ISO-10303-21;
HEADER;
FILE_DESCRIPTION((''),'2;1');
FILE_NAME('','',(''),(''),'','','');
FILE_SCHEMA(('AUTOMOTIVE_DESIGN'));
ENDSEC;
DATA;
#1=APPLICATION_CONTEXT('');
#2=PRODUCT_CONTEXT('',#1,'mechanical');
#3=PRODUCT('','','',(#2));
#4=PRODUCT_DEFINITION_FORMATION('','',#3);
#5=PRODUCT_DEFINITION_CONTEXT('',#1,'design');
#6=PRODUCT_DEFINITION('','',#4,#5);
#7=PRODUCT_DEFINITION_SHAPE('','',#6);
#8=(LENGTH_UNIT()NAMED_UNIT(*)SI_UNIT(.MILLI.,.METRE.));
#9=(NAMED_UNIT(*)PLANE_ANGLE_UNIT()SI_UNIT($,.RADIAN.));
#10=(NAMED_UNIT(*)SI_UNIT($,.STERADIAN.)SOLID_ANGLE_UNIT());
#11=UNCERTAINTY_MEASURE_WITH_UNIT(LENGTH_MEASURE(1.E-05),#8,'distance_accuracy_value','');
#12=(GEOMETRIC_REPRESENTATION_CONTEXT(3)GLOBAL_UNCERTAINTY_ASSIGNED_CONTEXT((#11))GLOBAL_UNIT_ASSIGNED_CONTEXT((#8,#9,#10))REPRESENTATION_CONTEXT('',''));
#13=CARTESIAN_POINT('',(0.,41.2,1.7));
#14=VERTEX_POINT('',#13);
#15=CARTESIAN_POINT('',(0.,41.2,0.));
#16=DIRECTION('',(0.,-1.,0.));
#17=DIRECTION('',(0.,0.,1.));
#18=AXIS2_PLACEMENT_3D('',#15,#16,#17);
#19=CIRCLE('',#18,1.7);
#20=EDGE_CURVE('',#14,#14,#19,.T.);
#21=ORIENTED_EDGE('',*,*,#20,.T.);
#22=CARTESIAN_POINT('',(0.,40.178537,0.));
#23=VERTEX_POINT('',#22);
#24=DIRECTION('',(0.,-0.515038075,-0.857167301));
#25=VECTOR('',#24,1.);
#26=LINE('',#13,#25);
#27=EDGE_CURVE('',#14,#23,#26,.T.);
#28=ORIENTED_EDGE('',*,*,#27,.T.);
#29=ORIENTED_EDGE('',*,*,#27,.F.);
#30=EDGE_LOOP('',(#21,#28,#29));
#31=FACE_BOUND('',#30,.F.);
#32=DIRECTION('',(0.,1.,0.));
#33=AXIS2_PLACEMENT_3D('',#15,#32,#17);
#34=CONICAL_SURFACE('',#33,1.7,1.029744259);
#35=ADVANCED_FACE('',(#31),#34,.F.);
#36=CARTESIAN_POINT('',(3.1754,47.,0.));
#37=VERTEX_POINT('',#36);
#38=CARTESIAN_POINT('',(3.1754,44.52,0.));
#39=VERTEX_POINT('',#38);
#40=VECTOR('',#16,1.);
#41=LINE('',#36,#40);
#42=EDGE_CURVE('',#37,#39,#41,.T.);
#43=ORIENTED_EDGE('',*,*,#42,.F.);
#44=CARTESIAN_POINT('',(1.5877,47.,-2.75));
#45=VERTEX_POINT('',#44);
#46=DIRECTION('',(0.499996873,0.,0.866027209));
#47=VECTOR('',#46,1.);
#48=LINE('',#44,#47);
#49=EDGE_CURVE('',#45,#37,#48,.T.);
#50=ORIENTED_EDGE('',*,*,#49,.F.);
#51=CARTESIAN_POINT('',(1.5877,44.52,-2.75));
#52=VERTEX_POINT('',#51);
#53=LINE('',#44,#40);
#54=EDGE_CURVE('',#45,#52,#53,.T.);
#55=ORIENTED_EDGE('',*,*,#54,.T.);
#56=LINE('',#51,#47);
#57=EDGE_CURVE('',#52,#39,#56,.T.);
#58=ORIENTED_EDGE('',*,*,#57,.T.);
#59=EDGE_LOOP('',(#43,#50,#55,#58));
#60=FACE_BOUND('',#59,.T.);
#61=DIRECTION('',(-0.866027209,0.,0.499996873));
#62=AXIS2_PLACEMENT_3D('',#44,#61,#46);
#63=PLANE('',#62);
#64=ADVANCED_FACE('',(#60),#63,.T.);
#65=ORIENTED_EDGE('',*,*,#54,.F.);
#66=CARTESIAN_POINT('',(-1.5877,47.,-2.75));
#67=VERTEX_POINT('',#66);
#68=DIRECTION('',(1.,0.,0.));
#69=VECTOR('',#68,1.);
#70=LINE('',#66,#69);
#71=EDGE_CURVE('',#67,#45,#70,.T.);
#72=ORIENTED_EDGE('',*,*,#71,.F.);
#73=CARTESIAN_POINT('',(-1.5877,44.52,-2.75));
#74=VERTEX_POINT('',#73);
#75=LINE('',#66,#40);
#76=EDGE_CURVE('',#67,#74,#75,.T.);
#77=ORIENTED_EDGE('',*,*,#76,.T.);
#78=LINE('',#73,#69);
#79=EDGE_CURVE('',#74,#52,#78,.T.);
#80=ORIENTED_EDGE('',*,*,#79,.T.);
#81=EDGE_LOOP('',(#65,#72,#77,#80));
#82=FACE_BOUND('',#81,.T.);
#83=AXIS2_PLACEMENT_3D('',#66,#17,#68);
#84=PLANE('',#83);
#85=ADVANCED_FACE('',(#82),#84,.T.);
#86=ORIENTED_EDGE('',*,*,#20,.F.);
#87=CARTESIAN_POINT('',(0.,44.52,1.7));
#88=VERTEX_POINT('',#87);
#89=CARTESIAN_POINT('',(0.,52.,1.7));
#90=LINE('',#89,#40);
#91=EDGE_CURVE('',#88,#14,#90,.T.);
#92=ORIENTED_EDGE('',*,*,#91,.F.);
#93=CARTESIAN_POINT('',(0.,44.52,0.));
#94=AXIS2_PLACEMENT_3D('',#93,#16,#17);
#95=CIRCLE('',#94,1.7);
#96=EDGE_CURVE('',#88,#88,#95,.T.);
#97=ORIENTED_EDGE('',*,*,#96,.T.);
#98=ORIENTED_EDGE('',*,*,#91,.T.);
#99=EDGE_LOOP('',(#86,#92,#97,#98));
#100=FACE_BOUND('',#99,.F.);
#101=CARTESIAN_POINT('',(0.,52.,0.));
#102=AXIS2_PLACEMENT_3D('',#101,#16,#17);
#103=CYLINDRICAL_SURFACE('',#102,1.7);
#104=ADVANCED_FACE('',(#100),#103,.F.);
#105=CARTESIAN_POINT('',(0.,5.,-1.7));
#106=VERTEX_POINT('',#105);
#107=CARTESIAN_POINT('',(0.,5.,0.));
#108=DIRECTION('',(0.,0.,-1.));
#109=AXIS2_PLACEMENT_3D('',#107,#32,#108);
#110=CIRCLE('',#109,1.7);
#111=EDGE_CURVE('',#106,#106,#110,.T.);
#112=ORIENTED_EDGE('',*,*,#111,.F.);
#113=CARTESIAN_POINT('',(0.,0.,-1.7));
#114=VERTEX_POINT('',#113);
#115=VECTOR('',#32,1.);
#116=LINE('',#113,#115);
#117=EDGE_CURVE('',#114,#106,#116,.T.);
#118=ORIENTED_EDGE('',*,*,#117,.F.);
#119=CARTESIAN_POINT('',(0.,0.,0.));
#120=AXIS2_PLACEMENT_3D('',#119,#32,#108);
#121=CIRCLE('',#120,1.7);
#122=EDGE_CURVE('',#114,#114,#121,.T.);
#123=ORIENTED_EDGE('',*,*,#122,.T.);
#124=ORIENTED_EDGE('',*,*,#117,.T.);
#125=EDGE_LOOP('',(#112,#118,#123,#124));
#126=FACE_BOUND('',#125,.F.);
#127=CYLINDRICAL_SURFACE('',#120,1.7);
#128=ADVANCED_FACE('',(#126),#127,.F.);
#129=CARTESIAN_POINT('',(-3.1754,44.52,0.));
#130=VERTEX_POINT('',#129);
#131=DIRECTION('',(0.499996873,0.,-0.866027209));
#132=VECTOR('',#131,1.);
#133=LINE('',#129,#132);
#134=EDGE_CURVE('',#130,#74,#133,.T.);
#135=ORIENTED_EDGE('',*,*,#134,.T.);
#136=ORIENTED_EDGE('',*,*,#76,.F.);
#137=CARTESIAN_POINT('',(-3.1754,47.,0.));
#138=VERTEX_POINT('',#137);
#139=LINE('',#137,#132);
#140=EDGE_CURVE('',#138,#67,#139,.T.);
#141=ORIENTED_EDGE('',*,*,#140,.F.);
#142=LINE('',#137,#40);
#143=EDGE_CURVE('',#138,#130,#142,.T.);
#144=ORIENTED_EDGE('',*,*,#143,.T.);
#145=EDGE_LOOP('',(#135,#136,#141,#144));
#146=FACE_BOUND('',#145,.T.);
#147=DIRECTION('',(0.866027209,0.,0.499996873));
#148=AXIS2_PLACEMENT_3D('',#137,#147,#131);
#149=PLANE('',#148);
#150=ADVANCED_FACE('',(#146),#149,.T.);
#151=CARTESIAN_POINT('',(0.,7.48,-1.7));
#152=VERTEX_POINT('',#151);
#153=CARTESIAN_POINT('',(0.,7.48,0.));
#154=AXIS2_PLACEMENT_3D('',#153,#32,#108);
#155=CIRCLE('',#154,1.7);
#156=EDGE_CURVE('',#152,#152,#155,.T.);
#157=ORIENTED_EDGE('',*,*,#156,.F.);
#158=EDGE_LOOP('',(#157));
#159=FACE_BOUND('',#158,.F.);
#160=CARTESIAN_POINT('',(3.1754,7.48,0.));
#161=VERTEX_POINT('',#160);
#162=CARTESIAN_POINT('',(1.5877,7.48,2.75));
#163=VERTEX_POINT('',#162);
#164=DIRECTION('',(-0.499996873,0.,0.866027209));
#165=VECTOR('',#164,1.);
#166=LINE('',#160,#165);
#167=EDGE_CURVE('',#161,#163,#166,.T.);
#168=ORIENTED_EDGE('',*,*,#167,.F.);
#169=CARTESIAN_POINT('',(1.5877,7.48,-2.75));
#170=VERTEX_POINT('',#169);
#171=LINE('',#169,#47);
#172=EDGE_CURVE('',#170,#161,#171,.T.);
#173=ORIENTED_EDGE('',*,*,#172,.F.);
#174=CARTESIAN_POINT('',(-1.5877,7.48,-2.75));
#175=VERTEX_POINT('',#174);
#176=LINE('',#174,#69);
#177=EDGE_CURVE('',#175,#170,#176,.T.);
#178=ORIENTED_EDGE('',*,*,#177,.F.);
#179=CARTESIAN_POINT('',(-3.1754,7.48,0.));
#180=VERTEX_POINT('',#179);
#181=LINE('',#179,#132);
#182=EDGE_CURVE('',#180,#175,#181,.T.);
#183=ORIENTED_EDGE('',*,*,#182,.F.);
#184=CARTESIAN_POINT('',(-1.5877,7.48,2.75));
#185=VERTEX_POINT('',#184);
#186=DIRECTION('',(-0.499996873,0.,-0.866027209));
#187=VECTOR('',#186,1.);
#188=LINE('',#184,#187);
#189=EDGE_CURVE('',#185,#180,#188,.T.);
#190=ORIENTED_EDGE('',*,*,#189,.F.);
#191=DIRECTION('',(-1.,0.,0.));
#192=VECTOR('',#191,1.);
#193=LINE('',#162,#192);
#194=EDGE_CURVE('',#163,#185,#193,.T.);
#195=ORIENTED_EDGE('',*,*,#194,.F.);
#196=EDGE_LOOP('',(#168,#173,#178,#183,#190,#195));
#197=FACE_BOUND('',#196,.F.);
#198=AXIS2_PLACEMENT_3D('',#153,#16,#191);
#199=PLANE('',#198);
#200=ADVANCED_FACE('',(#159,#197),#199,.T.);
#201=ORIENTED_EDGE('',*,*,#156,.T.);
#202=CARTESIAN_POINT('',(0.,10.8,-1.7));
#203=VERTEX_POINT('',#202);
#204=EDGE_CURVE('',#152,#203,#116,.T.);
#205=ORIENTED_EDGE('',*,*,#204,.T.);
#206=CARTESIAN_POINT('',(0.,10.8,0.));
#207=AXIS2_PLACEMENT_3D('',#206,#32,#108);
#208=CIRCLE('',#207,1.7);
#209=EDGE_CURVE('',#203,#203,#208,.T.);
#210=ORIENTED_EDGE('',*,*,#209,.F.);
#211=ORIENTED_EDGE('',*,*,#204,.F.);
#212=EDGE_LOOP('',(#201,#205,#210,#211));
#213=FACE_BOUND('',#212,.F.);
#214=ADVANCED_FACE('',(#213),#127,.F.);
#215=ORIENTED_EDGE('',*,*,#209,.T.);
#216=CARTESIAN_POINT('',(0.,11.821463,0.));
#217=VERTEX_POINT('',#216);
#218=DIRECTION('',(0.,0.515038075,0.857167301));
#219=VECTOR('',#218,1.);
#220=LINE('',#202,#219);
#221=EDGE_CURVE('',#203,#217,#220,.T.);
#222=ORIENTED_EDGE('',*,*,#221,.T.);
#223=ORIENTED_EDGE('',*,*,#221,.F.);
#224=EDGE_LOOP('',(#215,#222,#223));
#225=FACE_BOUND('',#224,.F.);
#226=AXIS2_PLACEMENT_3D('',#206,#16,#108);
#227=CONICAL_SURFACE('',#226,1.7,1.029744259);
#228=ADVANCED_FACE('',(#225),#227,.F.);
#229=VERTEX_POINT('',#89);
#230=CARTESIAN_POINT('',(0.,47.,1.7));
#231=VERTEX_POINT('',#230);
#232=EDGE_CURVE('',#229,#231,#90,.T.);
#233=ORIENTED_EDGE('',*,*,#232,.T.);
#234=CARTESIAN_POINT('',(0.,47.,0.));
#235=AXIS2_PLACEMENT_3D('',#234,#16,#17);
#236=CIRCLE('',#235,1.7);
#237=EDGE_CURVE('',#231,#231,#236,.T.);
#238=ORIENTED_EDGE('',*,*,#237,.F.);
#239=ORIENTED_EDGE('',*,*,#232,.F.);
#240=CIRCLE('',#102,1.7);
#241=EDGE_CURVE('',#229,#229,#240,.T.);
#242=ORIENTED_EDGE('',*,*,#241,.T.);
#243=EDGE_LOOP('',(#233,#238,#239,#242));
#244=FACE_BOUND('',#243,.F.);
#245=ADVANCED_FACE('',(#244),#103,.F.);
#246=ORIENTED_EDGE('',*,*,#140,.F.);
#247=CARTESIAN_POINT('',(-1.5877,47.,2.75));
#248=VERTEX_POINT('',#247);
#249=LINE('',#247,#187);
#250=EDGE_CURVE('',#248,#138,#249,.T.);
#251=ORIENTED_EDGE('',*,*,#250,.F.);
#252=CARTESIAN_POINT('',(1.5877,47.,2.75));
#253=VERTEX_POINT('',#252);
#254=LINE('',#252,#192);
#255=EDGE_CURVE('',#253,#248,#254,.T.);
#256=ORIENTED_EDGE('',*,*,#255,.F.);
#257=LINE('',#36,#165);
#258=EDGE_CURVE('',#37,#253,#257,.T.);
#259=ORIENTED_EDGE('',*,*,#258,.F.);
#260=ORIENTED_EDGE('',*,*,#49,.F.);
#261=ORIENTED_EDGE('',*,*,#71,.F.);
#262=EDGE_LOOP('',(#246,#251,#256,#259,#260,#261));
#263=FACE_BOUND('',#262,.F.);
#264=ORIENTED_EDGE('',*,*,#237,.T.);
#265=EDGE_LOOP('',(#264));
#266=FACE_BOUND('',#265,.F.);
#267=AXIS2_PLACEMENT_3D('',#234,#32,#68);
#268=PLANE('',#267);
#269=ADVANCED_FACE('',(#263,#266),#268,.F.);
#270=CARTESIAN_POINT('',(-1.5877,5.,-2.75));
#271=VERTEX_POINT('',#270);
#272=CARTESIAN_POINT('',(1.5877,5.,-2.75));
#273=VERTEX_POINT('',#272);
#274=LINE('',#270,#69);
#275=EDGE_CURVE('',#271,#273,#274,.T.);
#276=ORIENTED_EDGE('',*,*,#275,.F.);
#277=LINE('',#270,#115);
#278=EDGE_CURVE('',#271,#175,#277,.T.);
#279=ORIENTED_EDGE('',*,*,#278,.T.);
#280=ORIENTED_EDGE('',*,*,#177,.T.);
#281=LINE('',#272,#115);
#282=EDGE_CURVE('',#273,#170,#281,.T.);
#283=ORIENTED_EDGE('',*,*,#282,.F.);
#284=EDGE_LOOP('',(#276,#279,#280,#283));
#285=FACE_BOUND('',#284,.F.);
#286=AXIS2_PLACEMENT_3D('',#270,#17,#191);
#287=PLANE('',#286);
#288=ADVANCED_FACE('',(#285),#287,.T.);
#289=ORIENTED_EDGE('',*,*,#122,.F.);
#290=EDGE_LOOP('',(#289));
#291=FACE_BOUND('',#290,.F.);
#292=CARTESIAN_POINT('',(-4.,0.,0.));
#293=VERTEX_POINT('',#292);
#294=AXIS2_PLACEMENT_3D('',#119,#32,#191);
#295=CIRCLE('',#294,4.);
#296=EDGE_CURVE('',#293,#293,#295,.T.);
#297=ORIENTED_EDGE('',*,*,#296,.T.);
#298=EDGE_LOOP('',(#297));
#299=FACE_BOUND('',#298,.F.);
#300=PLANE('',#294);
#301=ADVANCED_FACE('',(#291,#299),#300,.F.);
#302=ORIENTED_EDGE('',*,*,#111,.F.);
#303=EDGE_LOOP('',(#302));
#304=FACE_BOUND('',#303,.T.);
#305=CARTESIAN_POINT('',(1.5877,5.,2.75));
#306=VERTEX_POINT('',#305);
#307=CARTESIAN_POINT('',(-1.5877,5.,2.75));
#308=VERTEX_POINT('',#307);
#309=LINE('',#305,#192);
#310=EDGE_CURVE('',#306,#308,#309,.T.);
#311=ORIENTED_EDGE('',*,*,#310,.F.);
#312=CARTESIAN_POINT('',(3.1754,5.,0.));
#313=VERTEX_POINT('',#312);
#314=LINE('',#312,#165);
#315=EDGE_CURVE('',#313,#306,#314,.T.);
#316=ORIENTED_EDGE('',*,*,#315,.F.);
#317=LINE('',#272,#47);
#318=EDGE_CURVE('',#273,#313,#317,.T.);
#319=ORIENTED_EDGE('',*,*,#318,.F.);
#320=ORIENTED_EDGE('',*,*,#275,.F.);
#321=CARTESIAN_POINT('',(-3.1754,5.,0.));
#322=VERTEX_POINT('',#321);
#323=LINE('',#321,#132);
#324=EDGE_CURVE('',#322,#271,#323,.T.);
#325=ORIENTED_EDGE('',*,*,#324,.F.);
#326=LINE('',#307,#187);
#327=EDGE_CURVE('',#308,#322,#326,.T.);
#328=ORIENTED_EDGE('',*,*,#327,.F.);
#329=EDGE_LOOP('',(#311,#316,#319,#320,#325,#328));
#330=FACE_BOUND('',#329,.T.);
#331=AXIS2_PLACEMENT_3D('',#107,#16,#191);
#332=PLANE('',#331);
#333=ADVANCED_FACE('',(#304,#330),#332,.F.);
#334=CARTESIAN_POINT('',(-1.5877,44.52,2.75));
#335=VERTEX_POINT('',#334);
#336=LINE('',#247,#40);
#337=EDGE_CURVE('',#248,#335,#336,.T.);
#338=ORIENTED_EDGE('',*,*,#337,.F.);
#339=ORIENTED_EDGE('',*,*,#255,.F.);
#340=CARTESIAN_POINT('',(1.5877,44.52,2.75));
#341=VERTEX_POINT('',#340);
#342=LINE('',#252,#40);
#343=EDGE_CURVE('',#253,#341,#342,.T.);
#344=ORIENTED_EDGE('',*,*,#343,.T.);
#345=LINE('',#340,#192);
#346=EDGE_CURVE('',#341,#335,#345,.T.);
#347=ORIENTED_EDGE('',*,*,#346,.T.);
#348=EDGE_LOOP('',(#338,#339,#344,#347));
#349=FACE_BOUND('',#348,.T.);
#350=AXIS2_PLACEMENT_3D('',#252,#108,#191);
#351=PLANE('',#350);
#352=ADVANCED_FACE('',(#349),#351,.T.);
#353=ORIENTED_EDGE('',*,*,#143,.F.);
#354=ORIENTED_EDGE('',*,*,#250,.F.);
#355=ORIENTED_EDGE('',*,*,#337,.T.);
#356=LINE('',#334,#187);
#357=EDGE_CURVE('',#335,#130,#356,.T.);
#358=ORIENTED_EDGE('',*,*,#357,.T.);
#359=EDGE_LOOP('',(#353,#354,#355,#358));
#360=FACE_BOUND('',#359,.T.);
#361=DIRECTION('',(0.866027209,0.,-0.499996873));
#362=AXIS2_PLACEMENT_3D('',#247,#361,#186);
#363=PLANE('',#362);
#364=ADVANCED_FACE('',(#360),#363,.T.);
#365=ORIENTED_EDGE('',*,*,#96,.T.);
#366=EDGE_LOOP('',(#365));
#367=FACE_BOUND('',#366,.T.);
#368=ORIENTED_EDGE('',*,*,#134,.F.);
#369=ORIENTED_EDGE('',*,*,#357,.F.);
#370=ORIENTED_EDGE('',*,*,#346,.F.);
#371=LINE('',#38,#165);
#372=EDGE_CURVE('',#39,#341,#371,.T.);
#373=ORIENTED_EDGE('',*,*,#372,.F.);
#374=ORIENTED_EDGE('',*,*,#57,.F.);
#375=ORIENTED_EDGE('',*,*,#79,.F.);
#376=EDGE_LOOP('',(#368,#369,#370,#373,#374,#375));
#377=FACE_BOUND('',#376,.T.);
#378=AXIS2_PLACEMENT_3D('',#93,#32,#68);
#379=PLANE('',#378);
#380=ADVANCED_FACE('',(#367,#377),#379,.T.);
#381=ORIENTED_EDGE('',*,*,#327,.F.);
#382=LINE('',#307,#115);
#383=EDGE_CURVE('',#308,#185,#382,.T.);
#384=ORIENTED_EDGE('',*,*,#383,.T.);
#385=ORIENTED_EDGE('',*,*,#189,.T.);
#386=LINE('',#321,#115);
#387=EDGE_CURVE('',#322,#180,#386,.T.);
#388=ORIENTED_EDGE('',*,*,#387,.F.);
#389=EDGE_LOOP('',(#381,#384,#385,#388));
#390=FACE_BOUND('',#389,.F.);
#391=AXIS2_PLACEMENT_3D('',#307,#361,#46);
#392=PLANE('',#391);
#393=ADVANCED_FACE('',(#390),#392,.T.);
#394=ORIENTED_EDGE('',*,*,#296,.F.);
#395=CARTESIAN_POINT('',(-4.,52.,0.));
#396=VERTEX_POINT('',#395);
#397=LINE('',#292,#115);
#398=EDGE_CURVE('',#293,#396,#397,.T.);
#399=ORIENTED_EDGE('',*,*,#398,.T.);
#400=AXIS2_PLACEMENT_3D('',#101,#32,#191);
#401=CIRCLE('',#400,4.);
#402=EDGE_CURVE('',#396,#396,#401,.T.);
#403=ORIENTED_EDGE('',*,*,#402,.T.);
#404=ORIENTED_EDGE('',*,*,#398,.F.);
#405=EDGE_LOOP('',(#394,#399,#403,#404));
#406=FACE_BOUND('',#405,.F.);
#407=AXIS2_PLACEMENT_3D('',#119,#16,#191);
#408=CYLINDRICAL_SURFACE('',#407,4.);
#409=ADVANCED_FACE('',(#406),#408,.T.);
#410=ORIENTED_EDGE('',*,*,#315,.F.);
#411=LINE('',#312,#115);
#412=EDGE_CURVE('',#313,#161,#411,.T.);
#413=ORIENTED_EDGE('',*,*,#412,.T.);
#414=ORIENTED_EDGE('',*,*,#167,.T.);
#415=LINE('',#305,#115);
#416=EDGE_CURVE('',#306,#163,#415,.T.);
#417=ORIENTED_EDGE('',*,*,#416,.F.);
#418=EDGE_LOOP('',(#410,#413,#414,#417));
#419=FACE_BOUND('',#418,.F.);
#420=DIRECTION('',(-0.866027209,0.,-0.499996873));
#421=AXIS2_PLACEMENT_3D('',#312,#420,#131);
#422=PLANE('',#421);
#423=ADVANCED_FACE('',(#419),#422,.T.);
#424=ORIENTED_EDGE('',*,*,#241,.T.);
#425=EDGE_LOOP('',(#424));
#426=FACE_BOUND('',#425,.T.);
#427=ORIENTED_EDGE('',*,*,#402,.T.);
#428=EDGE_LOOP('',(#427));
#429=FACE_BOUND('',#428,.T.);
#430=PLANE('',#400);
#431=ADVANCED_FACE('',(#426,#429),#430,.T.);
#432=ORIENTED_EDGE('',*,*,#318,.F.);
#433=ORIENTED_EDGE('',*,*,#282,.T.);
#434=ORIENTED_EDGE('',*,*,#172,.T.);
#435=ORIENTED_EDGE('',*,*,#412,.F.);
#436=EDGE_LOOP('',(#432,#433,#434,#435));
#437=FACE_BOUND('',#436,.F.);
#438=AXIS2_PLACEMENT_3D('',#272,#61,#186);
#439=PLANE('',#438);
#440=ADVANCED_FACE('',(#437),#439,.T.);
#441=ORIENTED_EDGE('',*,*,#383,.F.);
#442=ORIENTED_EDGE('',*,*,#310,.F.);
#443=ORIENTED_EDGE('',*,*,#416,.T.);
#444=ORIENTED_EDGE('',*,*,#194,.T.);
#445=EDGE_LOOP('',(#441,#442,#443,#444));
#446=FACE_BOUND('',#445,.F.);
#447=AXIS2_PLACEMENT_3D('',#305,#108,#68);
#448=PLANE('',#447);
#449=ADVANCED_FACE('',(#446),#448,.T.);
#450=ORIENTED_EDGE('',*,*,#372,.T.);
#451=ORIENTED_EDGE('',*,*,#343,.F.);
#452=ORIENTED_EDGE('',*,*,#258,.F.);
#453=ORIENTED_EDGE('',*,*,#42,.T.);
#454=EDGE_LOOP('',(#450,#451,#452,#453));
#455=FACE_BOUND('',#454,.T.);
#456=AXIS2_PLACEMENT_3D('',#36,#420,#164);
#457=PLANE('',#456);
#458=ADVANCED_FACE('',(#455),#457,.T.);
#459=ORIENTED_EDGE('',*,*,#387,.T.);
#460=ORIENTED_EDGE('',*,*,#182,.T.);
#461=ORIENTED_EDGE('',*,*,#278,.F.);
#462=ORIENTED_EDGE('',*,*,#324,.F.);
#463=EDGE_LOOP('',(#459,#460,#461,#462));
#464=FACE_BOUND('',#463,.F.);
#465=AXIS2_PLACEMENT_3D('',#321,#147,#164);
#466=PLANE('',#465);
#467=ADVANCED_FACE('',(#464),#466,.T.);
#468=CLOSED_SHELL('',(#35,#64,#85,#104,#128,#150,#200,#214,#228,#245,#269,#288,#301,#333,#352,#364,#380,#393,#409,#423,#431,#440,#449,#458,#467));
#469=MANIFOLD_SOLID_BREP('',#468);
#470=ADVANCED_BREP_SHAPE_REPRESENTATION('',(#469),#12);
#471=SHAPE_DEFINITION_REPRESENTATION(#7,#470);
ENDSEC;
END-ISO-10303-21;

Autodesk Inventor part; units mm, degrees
ref_plane "YZ Plane" through (0, 0, 0) normal (1, 0, 0) x (0, 1, 0)
ref_plane "XZ Plane" through (0, 0, 0) normal (0, 1, 0) x (-1, 0, 0)
ref_plane "XY Plane" through (0, 0, 0) normal (0, 0, 1) x (1, 0, 0)
sketch "Sketch1" plane through (0, 0, 0) normal (0, 1, 0) x (-1, 0, 0)
  circle A0 centre (0, 0) radius 4
  dimension "d0" = 8
extrude "Extrusion1" add sketch "Sketch1" along normal blind 52
sketch "Sketch2" plane through (0, 52, 0) normal (0, 1, 0) x (1, 0, 0)
  point P0 (0, 0)
  point P1 (0, 0)
sketch "Sketch3" plane through (0, 0, 0) normal (0, -1, 0) x (1, 0, 0)
  point P0 (0, 0)
  point P1 (0, 0)
hole "Hole1" at (0, 52, 0) direction (0, -1, 0) diameter 3.4 depth 10.8 tip angle 118 clearance for "Socket Head Cap Screw ISO 4762" size "M3" standard "ISO"
hole "Hole2" at (0, 0, 0) direction (0, 1, 0) diameter 3.4 depth 10.8 tip angle 118 clearance for "Socket Head Cap Screw ISO 4762" size "M3" standard "ISO"
ref_plane "Work Plane2" through (0, 47, 0) normal (0, 1, 0) x (1, 0, 0)
ref_plane "Work Plane3" through (0, 26, 0) normal (0, 1, 0) x (1, 0, 0)
sketch "Sketch5" plane through (0, 47, 0) normal (0, 1, 0) x (1, 0, 0)
  circle A0 centre (0, 0) radius 2.75 construction
  line L0 (1.5877, 2.75) -> (3.1754, 0)
  line L1 (3.1754, 0) -> (1.5877, -2.75)
  line L2 (1.5877, -2.75) -> (-1.5877, -2.75)
  line L3 (-1.5877, -2.75) -> (-3.1754, 0)
  line L4 (-3.1754, 0) -> (-1.5877, 2.75)
  line L5 (-1.5877, 2.75) -> (1.5877, 2.75)
  point P0 (0, 2.75)
  dimension "d24" = 5.5
extrude "Extrusion3" cut sketch "Sketch5" against normal blind 2.48
mirror "Mirror2" about plane through (0, 26, 0) normal (0, 1, 0) of "Extrusion3"
properties part number "rod  for print"
